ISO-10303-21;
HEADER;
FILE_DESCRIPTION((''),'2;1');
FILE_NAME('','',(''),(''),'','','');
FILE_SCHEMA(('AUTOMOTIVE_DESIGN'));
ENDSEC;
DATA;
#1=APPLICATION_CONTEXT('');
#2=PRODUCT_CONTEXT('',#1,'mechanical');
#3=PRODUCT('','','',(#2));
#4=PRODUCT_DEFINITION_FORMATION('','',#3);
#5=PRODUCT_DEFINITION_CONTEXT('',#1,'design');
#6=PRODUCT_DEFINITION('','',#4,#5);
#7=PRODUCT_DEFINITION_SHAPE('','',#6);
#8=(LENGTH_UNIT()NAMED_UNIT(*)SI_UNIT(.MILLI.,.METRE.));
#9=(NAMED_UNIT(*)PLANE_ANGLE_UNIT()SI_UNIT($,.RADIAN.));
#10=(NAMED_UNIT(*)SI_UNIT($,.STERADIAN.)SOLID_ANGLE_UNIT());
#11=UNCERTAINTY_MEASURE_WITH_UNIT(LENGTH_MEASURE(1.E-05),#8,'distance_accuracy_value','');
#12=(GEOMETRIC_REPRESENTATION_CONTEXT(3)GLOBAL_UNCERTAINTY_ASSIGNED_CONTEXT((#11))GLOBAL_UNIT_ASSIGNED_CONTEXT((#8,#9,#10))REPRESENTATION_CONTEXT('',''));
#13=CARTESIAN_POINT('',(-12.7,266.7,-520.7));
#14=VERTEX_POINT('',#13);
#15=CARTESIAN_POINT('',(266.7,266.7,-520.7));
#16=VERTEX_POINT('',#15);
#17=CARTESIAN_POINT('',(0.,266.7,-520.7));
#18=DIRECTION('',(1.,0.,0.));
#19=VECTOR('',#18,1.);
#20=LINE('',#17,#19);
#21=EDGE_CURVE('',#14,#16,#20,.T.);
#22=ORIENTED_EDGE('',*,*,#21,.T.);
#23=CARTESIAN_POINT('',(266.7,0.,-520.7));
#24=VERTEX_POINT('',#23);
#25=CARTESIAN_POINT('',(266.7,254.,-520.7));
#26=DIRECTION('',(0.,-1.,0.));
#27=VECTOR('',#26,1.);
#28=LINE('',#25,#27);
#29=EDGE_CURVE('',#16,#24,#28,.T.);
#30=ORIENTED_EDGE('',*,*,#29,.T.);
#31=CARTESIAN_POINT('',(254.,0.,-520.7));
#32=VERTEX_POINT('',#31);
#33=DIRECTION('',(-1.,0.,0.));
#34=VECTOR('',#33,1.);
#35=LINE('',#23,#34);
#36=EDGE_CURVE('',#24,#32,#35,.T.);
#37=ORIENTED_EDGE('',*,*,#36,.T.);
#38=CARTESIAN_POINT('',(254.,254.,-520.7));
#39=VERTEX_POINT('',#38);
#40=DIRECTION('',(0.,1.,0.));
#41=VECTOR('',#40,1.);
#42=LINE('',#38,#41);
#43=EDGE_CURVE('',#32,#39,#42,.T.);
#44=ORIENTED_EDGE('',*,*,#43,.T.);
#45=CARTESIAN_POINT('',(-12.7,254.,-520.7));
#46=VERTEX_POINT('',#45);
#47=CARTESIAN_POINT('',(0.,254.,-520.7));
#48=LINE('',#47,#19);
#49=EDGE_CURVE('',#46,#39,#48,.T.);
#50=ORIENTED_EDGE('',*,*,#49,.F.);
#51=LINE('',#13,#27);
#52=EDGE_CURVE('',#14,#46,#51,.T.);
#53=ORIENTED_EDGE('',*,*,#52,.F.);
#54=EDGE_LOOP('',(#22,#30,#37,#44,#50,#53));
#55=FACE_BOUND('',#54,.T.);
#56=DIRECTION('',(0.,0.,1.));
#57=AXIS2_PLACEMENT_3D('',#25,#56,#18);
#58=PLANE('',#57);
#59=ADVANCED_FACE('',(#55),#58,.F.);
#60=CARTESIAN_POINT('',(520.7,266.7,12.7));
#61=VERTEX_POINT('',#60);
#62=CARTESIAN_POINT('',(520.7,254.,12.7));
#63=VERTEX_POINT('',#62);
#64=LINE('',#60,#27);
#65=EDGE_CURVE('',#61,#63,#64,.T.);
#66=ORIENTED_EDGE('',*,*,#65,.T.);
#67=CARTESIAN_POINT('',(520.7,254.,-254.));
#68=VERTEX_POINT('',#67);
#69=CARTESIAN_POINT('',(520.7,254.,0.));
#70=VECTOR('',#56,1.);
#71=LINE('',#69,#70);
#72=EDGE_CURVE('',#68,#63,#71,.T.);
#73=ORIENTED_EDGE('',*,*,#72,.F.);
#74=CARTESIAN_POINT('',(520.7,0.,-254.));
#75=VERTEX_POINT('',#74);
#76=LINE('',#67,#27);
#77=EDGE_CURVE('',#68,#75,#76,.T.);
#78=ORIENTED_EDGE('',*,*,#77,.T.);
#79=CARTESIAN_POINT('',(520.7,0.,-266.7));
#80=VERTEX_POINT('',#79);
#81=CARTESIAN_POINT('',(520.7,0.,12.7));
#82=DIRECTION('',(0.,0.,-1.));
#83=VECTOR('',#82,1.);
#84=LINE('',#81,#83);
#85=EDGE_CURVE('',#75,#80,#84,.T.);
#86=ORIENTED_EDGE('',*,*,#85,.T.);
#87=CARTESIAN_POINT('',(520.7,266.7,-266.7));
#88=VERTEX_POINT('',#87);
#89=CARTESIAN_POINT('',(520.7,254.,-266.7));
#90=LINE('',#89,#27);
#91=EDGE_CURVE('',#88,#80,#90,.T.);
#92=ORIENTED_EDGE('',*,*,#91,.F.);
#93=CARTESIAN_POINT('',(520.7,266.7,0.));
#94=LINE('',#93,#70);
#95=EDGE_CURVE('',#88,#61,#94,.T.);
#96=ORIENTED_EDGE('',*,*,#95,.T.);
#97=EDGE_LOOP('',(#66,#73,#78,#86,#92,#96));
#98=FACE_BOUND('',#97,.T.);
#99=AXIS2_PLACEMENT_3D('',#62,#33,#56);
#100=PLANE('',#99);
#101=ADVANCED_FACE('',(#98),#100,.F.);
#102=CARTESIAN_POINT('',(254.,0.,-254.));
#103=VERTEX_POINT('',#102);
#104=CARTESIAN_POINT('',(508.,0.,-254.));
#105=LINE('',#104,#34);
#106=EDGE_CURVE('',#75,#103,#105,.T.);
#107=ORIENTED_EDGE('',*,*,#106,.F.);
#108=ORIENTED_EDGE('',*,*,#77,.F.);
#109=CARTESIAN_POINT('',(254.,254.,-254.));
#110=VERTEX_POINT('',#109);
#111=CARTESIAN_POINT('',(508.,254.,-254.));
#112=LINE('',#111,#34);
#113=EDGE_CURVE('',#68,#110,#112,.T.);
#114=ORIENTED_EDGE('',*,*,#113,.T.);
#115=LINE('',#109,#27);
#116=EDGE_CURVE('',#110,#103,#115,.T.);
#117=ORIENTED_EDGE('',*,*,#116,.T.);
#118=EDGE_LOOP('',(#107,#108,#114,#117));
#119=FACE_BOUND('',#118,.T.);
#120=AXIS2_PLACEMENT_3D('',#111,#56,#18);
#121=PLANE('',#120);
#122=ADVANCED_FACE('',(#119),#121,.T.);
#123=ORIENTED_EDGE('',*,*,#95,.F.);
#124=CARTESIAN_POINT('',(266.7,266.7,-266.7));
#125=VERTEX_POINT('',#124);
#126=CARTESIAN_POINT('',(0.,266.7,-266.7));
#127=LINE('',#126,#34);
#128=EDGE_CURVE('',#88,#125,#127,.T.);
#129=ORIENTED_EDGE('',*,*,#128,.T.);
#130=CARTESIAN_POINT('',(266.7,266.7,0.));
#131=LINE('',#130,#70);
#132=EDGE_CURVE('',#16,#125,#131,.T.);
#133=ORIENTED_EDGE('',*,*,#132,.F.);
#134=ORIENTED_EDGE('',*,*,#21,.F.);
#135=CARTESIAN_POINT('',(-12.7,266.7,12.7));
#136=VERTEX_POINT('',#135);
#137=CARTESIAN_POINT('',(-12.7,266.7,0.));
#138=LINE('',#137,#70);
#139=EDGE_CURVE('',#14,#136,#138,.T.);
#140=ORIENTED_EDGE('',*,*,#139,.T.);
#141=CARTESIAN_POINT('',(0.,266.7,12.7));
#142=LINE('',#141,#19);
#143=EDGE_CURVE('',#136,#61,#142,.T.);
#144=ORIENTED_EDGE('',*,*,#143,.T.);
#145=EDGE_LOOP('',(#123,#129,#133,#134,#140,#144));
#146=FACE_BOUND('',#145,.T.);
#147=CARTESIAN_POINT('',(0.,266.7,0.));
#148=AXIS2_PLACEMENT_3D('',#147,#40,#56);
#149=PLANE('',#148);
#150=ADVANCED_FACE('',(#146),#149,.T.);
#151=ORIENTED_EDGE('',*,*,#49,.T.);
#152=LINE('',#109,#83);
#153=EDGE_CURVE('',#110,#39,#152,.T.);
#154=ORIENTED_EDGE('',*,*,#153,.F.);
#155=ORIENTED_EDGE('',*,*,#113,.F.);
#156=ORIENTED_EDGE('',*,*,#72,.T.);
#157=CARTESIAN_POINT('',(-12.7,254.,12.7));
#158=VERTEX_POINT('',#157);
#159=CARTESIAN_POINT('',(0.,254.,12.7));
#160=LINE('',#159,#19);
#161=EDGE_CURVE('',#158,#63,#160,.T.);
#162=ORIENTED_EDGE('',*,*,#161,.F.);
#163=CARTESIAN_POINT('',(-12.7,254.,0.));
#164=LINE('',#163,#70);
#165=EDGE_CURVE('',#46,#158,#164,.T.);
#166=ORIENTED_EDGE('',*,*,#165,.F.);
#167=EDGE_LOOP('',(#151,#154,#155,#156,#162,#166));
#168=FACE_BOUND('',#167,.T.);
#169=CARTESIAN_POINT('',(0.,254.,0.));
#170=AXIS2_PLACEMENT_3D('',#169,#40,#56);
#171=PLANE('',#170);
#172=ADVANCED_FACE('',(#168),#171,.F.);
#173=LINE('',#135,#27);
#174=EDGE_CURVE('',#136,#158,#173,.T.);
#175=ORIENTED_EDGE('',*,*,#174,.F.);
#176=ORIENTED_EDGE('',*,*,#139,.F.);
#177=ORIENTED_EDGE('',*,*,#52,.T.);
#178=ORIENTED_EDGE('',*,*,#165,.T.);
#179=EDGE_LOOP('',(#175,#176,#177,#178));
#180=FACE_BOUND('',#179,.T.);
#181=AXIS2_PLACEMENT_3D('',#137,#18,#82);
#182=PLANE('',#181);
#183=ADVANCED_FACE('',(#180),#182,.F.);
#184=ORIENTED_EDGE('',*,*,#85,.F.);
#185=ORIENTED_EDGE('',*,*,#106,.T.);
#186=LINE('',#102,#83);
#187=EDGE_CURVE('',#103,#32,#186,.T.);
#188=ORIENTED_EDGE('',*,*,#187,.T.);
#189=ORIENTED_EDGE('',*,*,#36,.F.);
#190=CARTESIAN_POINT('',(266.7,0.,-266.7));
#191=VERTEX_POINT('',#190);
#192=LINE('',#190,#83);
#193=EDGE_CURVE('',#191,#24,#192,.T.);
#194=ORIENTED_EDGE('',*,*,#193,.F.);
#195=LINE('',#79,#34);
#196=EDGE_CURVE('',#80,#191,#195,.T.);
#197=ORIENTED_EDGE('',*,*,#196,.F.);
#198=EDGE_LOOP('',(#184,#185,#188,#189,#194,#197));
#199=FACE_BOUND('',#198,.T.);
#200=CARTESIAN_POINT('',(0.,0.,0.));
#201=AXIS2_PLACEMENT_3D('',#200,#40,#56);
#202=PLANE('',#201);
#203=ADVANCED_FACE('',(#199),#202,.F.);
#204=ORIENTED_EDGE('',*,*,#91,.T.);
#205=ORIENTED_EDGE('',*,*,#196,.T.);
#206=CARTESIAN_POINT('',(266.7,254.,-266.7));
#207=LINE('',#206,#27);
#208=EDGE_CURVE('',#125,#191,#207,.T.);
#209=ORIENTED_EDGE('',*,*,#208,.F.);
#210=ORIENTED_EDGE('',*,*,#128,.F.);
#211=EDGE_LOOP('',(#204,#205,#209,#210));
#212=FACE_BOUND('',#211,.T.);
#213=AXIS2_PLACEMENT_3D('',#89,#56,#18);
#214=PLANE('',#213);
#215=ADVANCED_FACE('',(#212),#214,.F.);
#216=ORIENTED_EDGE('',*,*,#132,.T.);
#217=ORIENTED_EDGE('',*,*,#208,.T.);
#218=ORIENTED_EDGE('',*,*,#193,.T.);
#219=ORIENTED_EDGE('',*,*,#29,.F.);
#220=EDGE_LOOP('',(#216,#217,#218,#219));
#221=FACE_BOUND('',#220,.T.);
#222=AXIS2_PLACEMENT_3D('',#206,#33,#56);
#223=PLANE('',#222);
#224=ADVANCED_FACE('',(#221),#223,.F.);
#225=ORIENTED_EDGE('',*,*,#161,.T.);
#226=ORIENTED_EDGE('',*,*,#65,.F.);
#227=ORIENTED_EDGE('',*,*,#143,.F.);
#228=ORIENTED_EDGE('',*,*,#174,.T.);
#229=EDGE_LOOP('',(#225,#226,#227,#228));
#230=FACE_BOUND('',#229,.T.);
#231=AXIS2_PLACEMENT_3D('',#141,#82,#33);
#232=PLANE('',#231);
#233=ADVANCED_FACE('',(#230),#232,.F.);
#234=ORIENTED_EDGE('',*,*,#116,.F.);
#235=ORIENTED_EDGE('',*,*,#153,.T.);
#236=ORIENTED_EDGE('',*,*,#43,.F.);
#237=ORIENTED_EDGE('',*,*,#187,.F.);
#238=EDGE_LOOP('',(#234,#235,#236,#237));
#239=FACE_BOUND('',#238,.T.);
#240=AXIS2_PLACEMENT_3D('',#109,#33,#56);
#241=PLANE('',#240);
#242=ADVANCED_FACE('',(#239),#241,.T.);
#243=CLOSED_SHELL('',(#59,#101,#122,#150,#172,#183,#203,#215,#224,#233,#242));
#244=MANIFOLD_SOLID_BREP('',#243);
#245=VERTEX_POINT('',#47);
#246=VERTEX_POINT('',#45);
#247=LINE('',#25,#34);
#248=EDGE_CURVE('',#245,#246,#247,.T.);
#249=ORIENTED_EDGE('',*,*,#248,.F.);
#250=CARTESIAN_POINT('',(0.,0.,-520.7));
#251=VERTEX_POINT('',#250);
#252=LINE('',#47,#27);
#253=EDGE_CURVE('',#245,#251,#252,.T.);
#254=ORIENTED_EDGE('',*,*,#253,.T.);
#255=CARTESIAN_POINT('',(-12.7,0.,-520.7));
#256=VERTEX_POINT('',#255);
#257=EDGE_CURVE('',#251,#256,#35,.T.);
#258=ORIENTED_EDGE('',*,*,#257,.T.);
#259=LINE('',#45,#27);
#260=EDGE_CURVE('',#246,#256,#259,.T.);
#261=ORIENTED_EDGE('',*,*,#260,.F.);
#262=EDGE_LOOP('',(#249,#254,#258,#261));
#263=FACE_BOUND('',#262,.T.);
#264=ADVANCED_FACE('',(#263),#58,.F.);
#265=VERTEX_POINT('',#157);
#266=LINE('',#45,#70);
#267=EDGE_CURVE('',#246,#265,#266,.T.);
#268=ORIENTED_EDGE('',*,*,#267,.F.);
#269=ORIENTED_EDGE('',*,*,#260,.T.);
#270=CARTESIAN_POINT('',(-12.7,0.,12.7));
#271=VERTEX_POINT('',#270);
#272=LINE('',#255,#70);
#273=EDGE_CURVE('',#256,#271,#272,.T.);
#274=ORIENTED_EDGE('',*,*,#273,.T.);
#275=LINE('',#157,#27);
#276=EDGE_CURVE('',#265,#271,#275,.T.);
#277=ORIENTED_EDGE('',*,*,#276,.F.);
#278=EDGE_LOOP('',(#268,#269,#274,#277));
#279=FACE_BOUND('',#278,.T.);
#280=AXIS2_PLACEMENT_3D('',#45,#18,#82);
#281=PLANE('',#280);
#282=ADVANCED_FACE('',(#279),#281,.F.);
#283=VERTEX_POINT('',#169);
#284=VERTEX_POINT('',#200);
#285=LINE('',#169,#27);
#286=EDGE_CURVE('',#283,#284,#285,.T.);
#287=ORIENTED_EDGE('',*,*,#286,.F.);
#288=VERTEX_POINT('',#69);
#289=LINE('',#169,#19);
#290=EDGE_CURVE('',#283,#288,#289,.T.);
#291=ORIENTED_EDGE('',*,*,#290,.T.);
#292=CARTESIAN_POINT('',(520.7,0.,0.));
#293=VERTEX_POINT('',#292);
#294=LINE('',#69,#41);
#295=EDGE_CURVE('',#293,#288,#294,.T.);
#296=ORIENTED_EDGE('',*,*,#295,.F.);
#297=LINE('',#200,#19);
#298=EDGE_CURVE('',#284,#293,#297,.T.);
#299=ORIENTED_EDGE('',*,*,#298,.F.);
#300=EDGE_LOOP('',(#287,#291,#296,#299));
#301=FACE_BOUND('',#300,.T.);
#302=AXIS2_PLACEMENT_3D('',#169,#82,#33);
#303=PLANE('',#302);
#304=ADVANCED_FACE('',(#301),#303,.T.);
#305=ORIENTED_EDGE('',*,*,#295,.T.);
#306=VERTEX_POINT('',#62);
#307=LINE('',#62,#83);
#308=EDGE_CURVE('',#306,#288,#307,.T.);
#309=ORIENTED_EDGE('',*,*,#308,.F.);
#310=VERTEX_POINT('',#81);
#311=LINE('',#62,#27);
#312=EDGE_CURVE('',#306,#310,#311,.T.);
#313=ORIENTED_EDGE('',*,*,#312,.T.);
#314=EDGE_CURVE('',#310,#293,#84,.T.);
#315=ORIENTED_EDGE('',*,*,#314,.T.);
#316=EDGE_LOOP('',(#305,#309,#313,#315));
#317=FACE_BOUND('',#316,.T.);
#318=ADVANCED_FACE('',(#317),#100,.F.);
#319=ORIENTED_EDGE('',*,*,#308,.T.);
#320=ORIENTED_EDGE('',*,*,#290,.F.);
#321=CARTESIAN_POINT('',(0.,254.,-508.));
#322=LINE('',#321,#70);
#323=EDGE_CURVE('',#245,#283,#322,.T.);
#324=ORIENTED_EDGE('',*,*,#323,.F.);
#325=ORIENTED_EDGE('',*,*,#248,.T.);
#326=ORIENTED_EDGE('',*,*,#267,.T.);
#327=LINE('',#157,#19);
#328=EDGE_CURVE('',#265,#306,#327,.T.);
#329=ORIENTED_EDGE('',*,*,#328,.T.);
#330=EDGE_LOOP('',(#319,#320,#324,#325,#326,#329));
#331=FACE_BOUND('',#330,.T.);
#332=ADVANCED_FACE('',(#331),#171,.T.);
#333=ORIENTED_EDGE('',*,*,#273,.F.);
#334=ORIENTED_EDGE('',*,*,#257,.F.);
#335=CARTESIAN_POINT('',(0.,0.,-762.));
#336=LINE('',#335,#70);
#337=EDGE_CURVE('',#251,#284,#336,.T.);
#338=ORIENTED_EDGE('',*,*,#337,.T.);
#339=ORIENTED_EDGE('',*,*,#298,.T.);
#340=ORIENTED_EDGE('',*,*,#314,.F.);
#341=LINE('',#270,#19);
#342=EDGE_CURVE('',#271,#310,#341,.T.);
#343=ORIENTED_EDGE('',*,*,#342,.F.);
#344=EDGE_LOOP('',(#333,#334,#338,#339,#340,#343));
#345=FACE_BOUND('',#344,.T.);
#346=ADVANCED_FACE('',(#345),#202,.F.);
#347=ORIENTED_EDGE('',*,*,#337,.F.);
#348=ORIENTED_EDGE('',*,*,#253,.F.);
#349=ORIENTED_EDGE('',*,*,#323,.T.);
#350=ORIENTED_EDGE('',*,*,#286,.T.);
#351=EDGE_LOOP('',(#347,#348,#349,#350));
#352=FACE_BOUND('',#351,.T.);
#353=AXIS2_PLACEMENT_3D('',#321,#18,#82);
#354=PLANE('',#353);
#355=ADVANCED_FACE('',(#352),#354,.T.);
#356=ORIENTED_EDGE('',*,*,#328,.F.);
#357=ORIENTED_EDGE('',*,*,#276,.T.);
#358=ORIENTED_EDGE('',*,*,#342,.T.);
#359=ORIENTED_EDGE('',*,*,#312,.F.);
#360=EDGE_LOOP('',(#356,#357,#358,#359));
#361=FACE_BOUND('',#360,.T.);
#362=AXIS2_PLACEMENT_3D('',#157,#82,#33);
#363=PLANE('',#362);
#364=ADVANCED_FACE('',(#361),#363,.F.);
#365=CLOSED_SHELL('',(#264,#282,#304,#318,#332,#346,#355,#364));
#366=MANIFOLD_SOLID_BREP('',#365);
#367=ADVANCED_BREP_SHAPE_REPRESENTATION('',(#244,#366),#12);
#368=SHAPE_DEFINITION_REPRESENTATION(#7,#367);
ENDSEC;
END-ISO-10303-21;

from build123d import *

# Parameters (mm, degrees)
BOSS_EXTRUDE1_DEPTH = 254
SKETCH2_W           = 254
SKETCH2_H           = 254
CUT_EXTRUDE1_DEPTH  = 254
SKETCH3_W           = 254
SKETCH3_H           = 254
CUT_EXTRUDE2_DEPTH  = 254
SKETCH4_W           = 254
SKETCH4_H           = 266.7
SKETCH4_H_2         = 12.7
BOSS_EXTRUDE2_DEPTH = 12.7


with BuildPart() as part:
    # Sketch1 → Boss-Extrude1 (new body)
    with BuildSketch(Plane(origin=(0, 0, 0), x_dir=(1, 0, 0), z_dir=(0, 1, 0))):
        Polygon((-12.7, -12.7), (520.7, -12.7), (520.7, 266.7), (266.7, 266.7), (266.7, 520.7), (-12.7, 520.7), align=None)
        Polygon((0, 0), (508, 0), (508, 254), (254, 254), (254, 508), (0, 508), align=None, mode=Mode.SUBTRACT)
    extrude(amount=BOSS_EXTRUDE1_DEPTH)

    # Sketch2 → Cut-Extrude1 (cut)
    with BuildSketch(Plane.ZY.offset(-508)):
        with Locations((-127, 127)):
            Rectangle(SKETCH2_W, SKETCH2_H)
    extrude(amount=-CUT_EXTRUDE1_DEPTH, mode=Mode.SUBTRACT)

    # Sketch3 → Cut-Extrude2 (cut)
    with BuildSketch(Plane.XY.offset(-508)):
        with Locations((127, 127)):
            Rectangle(SKETCH3_W, SKETCH3_H)
    extrude(amount=-CUT_EXTRUDE2_DEPTH, mode=Mode.SUBTRACT)


with BuildPart() as cut_extrude2_piece_1:
    # of the separate pieces the step leaves, piece 1, a body of its own (cut_extrude2_pieces)
    add(part.part.solids().sort_by_distance((-12.7, 0, 12.7))[0])


with BuildPart() as cut_extrude2_piece_2:
    # of the separate pieces the step leaves, piece 2, a body of its own (cut_extrude2_pieces)
    add(part.part.solids().sort_by_distance((266.7, 0, -520.7))[0])

    # Sketch4 → Boss-Extrude2 (add)
    with BuildSketch(Plane(origin=(0, 254, 0), x_dir=(1, 0, 0), z_dir=(0, 1, 0))):
        Polygon((266.7, 520.7), (0, 520.7), (0, 0), (266.7, 0), (266.7, 266.7), align=None)
        with Locations((393.7, 133.35)):
            Rectangle(SKETCH4_W, SKETCH4_H)
        Polygon((0, 520.7), (-12.7, 520.7), (-12.7, -12.7), (266.7, -12.7), (266.7, 0), (0, 0), align=None)
        with Locations((393.7, -6.35)):
            Rectangle(SKETCH4_W, SKETCH4_H_2)
    extrude(amount=BOSS_EXTRUDE2_DEPTH)


solid = Compound([cut_extrude2_piece_1.part, cut_extrude2_piece_2.part])
